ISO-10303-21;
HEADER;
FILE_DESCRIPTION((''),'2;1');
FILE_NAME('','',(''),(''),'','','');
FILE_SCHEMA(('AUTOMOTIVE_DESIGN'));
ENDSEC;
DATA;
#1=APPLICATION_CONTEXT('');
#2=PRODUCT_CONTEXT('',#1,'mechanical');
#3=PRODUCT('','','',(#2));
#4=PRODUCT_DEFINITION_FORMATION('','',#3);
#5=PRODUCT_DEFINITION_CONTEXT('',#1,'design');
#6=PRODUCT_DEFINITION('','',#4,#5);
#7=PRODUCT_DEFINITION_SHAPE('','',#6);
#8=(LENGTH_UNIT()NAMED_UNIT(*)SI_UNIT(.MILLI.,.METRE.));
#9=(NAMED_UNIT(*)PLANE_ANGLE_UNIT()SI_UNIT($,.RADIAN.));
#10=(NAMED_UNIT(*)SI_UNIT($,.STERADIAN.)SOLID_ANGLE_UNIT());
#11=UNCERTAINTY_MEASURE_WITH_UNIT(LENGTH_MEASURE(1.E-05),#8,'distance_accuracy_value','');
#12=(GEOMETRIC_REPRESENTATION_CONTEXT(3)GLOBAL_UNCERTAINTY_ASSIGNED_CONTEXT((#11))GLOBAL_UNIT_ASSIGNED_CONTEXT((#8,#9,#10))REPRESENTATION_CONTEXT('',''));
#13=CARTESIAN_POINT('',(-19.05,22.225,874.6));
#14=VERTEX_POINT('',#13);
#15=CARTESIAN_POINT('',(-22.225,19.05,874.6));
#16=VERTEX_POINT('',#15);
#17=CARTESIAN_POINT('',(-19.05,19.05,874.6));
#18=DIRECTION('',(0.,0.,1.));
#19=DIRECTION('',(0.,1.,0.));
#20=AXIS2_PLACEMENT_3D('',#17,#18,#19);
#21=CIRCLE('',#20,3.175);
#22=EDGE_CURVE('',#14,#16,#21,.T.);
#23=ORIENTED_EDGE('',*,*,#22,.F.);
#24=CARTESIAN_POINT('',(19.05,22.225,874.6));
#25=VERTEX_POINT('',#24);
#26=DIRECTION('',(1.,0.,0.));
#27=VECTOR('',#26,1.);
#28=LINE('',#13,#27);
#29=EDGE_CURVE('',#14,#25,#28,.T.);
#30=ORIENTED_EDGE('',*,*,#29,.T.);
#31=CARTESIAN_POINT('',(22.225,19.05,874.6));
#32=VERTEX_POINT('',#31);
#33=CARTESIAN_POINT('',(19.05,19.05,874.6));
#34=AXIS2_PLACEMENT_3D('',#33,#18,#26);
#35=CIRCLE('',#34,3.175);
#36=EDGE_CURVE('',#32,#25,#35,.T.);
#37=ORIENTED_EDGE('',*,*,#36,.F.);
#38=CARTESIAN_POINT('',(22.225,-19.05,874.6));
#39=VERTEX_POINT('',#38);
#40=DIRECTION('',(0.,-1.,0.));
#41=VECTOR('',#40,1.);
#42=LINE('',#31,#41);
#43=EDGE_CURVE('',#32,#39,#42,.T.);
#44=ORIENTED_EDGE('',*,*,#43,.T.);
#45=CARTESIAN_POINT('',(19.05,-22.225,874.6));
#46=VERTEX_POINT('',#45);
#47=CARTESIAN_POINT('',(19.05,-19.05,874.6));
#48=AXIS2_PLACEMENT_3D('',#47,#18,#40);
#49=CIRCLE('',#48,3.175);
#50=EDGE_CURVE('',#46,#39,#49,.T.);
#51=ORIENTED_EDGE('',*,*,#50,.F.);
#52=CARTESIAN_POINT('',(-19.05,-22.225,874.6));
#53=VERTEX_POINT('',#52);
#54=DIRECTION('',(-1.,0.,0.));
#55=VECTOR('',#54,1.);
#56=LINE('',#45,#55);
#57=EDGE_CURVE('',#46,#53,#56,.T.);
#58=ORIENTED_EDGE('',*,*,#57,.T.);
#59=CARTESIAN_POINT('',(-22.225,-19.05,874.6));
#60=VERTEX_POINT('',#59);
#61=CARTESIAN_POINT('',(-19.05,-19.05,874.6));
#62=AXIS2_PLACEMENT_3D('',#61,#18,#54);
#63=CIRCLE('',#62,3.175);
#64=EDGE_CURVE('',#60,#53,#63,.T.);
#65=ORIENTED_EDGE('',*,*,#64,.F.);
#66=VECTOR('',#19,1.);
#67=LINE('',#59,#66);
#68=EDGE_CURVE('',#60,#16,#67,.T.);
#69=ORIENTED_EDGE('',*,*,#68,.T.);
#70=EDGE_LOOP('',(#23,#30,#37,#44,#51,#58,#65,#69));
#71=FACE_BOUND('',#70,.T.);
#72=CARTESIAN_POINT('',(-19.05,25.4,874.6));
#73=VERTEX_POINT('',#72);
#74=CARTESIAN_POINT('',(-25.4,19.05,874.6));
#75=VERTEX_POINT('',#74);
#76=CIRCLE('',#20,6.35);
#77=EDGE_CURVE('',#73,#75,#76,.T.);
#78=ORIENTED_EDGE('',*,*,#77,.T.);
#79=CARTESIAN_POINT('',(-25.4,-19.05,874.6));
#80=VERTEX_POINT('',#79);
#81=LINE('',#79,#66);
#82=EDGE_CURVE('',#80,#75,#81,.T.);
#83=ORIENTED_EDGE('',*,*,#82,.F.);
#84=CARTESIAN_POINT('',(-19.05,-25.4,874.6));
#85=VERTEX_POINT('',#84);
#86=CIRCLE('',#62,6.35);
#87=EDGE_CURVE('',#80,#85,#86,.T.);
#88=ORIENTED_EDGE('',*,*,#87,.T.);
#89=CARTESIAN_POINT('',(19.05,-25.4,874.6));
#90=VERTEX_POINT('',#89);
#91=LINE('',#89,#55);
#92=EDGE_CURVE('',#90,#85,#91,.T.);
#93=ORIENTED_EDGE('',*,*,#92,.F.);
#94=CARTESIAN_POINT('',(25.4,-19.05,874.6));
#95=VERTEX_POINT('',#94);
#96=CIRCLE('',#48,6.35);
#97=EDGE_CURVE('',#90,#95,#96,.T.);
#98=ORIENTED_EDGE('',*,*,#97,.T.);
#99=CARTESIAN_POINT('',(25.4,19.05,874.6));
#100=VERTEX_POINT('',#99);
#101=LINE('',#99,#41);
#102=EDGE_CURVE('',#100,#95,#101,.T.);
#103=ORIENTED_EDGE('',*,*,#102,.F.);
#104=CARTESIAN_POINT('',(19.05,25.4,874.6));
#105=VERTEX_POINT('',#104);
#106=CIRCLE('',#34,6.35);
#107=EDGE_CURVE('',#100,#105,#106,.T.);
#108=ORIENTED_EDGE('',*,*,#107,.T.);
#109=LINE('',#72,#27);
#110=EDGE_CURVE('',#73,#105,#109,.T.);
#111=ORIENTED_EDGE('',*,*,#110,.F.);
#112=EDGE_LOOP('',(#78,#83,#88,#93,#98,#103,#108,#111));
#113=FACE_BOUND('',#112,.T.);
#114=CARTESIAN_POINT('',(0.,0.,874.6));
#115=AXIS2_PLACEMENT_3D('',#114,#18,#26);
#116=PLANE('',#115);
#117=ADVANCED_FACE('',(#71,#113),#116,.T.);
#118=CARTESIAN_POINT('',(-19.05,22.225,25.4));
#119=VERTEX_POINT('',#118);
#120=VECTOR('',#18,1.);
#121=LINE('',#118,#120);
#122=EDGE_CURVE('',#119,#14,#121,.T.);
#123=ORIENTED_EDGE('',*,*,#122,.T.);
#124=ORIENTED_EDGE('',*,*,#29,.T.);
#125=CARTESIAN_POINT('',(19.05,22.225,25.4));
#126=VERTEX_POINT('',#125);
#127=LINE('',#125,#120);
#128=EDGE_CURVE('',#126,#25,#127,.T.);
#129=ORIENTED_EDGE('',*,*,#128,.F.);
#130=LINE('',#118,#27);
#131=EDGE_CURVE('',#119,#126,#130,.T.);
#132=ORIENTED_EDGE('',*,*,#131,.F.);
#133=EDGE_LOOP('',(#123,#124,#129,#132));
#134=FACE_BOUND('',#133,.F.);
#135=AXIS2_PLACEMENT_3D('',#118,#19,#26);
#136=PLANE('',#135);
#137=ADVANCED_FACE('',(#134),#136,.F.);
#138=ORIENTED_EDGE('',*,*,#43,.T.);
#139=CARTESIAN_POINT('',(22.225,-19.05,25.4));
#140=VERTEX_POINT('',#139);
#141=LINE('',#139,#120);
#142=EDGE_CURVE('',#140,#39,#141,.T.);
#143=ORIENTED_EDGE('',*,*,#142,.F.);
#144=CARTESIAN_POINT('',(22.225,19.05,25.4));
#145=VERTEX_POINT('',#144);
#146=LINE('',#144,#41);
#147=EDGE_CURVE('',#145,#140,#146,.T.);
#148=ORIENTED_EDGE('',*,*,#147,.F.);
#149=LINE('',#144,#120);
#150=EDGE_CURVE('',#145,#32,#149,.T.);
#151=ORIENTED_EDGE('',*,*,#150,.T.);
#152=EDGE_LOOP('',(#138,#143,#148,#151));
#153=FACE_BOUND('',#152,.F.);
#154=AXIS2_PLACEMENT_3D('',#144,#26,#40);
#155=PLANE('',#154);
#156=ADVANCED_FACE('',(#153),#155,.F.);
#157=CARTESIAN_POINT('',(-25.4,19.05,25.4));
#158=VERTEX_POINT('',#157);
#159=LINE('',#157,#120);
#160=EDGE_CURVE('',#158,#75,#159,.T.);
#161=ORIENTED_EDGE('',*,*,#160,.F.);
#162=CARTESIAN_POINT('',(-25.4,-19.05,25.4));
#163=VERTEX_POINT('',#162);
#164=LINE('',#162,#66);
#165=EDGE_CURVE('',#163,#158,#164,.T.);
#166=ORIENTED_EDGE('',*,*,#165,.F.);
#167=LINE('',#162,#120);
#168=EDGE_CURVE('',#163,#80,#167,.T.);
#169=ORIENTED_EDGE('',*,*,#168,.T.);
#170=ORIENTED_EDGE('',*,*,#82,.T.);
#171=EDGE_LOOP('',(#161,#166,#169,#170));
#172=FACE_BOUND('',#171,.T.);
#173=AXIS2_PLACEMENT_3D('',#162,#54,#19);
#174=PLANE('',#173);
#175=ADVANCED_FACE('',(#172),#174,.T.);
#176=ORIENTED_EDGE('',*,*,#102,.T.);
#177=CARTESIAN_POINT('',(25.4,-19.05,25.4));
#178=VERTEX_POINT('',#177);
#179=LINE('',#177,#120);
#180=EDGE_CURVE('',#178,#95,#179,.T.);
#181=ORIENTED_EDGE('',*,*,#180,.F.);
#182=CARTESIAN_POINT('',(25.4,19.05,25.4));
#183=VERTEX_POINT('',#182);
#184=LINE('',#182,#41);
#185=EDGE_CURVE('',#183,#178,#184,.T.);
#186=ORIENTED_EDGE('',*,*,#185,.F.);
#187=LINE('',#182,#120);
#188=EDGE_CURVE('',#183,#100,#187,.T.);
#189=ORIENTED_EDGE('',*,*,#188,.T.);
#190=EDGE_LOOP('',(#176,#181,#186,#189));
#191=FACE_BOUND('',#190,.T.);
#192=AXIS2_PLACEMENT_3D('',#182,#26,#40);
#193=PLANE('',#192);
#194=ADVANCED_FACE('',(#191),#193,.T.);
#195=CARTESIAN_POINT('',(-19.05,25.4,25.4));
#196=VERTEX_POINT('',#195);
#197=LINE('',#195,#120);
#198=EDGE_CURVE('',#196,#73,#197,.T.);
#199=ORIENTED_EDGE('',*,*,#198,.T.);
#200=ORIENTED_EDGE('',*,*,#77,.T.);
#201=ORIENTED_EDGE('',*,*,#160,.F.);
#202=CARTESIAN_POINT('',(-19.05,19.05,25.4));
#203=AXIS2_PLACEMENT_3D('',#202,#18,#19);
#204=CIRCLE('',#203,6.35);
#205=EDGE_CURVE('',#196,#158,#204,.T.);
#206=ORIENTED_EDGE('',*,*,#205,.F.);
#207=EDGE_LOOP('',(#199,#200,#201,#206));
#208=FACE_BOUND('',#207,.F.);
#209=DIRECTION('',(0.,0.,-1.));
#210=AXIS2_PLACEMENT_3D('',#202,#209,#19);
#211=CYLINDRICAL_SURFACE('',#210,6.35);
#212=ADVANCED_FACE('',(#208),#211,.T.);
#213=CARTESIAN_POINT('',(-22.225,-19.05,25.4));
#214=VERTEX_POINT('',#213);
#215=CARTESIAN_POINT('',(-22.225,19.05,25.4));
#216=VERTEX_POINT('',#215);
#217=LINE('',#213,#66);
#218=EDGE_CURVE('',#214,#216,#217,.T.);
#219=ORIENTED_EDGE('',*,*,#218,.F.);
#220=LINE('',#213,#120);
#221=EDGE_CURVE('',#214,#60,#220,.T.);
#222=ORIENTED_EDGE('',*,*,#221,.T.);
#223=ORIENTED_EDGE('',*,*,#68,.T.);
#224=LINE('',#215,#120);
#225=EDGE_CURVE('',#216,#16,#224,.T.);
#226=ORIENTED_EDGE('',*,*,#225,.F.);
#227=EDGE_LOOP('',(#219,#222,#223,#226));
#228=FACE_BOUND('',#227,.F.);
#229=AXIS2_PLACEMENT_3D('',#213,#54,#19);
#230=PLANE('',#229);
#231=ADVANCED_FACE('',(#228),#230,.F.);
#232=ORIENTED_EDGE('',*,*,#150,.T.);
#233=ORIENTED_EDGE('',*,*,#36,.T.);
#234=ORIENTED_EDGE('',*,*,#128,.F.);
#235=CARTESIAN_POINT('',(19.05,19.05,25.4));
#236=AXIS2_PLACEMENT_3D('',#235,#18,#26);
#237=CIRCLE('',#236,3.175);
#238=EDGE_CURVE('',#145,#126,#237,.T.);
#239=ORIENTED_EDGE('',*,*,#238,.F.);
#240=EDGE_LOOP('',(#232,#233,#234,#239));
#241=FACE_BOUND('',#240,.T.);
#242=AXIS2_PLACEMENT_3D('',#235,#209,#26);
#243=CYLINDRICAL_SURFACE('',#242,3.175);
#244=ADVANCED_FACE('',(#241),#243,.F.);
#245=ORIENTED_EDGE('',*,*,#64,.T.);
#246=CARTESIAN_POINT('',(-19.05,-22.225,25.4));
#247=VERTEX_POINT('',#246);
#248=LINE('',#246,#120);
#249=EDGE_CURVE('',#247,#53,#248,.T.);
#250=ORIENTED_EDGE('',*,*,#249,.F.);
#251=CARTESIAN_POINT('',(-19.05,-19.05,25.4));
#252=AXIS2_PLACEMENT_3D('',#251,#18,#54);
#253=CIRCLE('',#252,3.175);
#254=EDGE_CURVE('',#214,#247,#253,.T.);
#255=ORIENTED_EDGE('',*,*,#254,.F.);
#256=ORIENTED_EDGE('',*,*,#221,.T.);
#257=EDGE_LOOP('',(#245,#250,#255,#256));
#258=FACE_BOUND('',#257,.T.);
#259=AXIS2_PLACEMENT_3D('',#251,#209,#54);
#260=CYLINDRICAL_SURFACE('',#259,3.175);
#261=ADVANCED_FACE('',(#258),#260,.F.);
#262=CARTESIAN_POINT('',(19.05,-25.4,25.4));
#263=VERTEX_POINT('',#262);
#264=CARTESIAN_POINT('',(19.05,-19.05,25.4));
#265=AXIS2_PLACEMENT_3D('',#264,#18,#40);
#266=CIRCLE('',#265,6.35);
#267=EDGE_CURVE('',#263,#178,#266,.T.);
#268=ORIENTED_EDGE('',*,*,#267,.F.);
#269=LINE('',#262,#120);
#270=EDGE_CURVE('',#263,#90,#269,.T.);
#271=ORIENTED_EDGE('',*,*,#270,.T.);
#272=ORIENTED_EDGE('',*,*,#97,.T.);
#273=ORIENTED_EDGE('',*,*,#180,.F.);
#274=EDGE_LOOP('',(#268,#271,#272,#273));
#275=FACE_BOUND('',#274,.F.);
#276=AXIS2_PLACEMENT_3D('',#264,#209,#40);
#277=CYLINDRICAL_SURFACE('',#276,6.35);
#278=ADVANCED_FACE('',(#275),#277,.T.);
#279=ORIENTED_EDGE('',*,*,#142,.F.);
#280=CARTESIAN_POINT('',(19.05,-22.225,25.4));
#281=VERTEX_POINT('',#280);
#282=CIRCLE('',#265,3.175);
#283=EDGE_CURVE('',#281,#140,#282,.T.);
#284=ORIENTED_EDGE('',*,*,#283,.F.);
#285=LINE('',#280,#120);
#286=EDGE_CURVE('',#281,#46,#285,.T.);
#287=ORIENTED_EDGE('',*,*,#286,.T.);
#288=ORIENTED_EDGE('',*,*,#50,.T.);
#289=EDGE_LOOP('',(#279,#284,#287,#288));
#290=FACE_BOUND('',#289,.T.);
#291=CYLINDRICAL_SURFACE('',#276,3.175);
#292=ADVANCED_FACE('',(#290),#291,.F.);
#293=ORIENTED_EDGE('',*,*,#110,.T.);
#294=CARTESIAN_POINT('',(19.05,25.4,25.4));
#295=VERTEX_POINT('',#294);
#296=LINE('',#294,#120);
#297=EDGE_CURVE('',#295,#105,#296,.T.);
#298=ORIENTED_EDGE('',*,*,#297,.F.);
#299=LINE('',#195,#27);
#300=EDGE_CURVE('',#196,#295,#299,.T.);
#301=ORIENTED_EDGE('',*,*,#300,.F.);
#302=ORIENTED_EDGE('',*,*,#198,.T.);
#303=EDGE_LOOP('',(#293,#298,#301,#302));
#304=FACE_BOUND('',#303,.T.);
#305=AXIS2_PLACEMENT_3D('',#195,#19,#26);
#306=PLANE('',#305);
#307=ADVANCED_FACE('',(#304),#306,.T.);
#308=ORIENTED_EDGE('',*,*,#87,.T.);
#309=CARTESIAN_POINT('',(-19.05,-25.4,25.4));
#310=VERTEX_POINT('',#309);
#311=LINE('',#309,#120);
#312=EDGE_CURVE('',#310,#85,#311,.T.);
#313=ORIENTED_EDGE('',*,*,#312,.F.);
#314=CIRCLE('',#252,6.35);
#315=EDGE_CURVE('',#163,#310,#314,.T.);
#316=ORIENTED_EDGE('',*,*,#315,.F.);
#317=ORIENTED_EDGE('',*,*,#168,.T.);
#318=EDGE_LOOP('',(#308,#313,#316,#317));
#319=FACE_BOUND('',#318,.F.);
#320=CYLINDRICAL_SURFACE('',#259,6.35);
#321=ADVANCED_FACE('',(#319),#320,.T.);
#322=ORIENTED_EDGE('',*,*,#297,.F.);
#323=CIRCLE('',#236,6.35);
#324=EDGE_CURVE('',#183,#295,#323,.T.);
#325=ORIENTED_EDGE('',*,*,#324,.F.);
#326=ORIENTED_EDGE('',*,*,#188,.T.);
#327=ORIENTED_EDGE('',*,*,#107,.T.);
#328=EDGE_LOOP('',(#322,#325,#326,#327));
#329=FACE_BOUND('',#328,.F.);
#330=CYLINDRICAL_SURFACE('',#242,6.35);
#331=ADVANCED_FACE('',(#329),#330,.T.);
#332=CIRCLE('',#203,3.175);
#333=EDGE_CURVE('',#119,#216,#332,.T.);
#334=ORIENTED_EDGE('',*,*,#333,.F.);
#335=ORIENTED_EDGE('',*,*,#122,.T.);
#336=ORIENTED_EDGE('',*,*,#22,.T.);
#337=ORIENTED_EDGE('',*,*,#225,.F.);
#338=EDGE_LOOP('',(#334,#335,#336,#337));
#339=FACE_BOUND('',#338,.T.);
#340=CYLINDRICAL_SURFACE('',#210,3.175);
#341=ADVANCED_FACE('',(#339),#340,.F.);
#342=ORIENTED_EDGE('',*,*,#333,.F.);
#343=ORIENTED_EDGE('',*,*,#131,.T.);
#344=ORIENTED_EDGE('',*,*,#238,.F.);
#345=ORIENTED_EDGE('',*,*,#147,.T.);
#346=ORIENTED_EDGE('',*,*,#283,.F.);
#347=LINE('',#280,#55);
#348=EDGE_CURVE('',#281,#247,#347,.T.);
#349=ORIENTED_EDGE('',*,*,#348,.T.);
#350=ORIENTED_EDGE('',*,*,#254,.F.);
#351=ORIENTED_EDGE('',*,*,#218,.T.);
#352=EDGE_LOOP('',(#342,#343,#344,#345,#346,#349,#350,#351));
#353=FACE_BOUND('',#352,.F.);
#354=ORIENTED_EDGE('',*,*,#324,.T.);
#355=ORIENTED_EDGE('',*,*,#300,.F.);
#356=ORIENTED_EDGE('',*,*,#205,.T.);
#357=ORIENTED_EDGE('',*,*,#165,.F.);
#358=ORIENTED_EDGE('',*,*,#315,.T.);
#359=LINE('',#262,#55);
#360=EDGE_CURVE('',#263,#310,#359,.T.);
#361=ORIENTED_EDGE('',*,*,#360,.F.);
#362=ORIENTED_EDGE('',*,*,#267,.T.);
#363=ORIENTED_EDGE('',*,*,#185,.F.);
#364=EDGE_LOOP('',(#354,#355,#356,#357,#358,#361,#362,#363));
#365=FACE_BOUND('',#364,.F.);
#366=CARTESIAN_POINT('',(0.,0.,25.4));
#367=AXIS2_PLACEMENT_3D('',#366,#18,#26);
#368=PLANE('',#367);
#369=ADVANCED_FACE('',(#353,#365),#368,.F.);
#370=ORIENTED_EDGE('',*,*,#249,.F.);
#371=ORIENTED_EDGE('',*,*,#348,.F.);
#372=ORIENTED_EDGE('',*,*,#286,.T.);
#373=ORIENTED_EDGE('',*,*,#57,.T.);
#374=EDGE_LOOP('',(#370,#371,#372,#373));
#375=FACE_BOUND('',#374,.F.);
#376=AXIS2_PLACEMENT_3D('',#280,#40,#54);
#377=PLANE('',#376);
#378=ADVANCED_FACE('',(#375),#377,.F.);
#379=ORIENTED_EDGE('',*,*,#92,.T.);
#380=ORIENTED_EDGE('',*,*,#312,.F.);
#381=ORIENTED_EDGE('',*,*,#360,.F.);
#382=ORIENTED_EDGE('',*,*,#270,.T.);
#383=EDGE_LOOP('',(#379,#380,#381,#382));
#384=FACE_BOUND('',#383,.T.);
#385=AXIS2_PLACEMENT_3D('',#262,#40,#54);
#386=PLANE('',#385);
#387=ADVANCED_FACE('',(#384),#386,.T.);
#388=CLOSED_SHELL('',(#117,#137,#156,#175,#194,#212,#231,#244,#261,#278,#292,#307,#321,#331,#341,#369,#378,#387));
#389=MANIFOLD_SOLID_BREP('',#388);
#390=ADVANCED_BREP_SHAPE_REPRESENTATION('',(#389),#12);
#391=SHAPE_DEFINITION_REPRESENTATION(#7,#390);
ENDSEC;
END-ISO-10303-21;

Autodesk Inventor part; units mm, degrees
ref_plane "Plano inicial" through (0, 0, 25.4) normal (0, 0, 1) x (1, 0, 0)
ref_plane "Plano final" through (0, 0, 874.6) normal (0, 0, 1) x (1, 0, 0)
sketch "Boceto" plane through (0, 0, 0) normal (0, 0, 1) x (1, 0, 0)
  line L0 (-25.4, -19.05) -> (-25.4, 19.05)
  line L1 (-19.05, 25.4) -> (19.05, 25.4)
  line L2 (25.4, 19.05) -> (25.4, -19.05)
  line L3 (19.05, -25.4) -> (-19.05, -25.4)
  arc A0 (-25.4, -19.05) -> (-19.05, -25.4) centre (-19.05, -19.05) ccw
  arc A1 (-19.05, 25.4) -> (-25.4, 19.05) centre (-19.05, 19.05) ccw
  arc A2 (25.4, 19.05) -> (19.05, 25.4) centre (19.05, 19.05) ccw
  arc A3 (19.05, -25.4) -> (25.4, -19.05) centre (19.05, -19.05) ccw
  arc A4 (-19.05, 22.225) -> (-22.225, 19.05) centre (-19.05, 19.05) ccw
  line L4 (-19.05, 22.225) -> (19.05, 22.225)
  arc A5 (22.225, 19.05) -> (19.05, 22.225) centre (19.05, 19.05) ccw
  line L5 (22.225, 19.05) -> (22.225, -19.05)
  arc A6 (19.05, -22.225) -> (22.225, -19.05) centre (19.05, -19.05) ccw
  line L6 (19.05, -22.225) -> (-19.05, -22.225)
  arc A7 (-22.225, -19.05) -> (-19.05, -22.225) centre (-19.05, -19.05) ccw
  line L7 (-22.225, -19.05) -> (-22.225, 19.05)
  line L8 (0, 37.4012) -> (0, -37.4012) construction
  line L9 (-37.4012, 0) -> (37.4012, 0) construction
  dimension "d10" = 50.8
  dimension "d11" = 50.8
  dimension "d12" = 3.175
  dimension "d15" = 25.4
  dimension "d16" = 25.4
  dimension "d17" = 6.35
extrude "Cuerpo" add sketch "Boceto" along normal up to surface (849.2 mm away) from surface at 25.4
sketch "Sketch3" plane through (0, 0, 0) normal (0, 0, 1) x (1, 0, 0)
  line L0 (0, 0) -> (10, 0)
ref_plane "Work Plane3" through (0, 0, 0) normal (0, -1, 0) x (1, 0, 0)
ref_plane "Plano de trabajo4" through (-19.05, 1890, 25.4) normal (0, 0, -1) x (-1, 0, 0)
split "Dividir1" plane through (-19.05, 1890, 25.4) removes the side toward (0, 0, -1)
ref_plane "Plano de trabajo5" through (-19.05, -200, 874.6) normal (0, 0, 1) x (1, 0, 0)
split "Dividir2" plane through (-19.05, -200, 874.6) removes the side toward (0, 0, 1)
sketch "Sketch4" plane through (0, 0, 0) normal (0, -1, 0) x (1, 0, 0)
  line L0 (-2, 25.4) -> (12, 25.4) projected
  line L1 (-2, 874.6) -> (12, 874.6) projected
  dimension "d19" = 849.2
equation "\"d10\" = G_H"
equation "\"d11\" = G_W"
equation "\"d12\" = G_T"
equation "\"d15\" = 0.5 * d10"
equation "\"d16\" = 0.5 * d11"
equation "\"d17\" = G_IR"
equation "\"d3\" = G_L"
equation "\"G_W\" = 50.8"
equation "\"G_H\" = 50.8"
equation "\"G_T\" = 3.175"
equation "\"G_IR\" = 6.35"
equation "\"G_L\" = d19"
equation "\"G_OFFSET_START\" = -25.4"
equation "\"G_OFFSET_END\" = -25.4"
equation "\"d13\" = -G_OFFSET_START"
equation "\"d14\" = G_OFFSET_END + B_L"
equation "\"B_L\" = 900"
properties part number "AISC - 2 x 2 x 1/8 - 33,433" material "Acero, suave"
